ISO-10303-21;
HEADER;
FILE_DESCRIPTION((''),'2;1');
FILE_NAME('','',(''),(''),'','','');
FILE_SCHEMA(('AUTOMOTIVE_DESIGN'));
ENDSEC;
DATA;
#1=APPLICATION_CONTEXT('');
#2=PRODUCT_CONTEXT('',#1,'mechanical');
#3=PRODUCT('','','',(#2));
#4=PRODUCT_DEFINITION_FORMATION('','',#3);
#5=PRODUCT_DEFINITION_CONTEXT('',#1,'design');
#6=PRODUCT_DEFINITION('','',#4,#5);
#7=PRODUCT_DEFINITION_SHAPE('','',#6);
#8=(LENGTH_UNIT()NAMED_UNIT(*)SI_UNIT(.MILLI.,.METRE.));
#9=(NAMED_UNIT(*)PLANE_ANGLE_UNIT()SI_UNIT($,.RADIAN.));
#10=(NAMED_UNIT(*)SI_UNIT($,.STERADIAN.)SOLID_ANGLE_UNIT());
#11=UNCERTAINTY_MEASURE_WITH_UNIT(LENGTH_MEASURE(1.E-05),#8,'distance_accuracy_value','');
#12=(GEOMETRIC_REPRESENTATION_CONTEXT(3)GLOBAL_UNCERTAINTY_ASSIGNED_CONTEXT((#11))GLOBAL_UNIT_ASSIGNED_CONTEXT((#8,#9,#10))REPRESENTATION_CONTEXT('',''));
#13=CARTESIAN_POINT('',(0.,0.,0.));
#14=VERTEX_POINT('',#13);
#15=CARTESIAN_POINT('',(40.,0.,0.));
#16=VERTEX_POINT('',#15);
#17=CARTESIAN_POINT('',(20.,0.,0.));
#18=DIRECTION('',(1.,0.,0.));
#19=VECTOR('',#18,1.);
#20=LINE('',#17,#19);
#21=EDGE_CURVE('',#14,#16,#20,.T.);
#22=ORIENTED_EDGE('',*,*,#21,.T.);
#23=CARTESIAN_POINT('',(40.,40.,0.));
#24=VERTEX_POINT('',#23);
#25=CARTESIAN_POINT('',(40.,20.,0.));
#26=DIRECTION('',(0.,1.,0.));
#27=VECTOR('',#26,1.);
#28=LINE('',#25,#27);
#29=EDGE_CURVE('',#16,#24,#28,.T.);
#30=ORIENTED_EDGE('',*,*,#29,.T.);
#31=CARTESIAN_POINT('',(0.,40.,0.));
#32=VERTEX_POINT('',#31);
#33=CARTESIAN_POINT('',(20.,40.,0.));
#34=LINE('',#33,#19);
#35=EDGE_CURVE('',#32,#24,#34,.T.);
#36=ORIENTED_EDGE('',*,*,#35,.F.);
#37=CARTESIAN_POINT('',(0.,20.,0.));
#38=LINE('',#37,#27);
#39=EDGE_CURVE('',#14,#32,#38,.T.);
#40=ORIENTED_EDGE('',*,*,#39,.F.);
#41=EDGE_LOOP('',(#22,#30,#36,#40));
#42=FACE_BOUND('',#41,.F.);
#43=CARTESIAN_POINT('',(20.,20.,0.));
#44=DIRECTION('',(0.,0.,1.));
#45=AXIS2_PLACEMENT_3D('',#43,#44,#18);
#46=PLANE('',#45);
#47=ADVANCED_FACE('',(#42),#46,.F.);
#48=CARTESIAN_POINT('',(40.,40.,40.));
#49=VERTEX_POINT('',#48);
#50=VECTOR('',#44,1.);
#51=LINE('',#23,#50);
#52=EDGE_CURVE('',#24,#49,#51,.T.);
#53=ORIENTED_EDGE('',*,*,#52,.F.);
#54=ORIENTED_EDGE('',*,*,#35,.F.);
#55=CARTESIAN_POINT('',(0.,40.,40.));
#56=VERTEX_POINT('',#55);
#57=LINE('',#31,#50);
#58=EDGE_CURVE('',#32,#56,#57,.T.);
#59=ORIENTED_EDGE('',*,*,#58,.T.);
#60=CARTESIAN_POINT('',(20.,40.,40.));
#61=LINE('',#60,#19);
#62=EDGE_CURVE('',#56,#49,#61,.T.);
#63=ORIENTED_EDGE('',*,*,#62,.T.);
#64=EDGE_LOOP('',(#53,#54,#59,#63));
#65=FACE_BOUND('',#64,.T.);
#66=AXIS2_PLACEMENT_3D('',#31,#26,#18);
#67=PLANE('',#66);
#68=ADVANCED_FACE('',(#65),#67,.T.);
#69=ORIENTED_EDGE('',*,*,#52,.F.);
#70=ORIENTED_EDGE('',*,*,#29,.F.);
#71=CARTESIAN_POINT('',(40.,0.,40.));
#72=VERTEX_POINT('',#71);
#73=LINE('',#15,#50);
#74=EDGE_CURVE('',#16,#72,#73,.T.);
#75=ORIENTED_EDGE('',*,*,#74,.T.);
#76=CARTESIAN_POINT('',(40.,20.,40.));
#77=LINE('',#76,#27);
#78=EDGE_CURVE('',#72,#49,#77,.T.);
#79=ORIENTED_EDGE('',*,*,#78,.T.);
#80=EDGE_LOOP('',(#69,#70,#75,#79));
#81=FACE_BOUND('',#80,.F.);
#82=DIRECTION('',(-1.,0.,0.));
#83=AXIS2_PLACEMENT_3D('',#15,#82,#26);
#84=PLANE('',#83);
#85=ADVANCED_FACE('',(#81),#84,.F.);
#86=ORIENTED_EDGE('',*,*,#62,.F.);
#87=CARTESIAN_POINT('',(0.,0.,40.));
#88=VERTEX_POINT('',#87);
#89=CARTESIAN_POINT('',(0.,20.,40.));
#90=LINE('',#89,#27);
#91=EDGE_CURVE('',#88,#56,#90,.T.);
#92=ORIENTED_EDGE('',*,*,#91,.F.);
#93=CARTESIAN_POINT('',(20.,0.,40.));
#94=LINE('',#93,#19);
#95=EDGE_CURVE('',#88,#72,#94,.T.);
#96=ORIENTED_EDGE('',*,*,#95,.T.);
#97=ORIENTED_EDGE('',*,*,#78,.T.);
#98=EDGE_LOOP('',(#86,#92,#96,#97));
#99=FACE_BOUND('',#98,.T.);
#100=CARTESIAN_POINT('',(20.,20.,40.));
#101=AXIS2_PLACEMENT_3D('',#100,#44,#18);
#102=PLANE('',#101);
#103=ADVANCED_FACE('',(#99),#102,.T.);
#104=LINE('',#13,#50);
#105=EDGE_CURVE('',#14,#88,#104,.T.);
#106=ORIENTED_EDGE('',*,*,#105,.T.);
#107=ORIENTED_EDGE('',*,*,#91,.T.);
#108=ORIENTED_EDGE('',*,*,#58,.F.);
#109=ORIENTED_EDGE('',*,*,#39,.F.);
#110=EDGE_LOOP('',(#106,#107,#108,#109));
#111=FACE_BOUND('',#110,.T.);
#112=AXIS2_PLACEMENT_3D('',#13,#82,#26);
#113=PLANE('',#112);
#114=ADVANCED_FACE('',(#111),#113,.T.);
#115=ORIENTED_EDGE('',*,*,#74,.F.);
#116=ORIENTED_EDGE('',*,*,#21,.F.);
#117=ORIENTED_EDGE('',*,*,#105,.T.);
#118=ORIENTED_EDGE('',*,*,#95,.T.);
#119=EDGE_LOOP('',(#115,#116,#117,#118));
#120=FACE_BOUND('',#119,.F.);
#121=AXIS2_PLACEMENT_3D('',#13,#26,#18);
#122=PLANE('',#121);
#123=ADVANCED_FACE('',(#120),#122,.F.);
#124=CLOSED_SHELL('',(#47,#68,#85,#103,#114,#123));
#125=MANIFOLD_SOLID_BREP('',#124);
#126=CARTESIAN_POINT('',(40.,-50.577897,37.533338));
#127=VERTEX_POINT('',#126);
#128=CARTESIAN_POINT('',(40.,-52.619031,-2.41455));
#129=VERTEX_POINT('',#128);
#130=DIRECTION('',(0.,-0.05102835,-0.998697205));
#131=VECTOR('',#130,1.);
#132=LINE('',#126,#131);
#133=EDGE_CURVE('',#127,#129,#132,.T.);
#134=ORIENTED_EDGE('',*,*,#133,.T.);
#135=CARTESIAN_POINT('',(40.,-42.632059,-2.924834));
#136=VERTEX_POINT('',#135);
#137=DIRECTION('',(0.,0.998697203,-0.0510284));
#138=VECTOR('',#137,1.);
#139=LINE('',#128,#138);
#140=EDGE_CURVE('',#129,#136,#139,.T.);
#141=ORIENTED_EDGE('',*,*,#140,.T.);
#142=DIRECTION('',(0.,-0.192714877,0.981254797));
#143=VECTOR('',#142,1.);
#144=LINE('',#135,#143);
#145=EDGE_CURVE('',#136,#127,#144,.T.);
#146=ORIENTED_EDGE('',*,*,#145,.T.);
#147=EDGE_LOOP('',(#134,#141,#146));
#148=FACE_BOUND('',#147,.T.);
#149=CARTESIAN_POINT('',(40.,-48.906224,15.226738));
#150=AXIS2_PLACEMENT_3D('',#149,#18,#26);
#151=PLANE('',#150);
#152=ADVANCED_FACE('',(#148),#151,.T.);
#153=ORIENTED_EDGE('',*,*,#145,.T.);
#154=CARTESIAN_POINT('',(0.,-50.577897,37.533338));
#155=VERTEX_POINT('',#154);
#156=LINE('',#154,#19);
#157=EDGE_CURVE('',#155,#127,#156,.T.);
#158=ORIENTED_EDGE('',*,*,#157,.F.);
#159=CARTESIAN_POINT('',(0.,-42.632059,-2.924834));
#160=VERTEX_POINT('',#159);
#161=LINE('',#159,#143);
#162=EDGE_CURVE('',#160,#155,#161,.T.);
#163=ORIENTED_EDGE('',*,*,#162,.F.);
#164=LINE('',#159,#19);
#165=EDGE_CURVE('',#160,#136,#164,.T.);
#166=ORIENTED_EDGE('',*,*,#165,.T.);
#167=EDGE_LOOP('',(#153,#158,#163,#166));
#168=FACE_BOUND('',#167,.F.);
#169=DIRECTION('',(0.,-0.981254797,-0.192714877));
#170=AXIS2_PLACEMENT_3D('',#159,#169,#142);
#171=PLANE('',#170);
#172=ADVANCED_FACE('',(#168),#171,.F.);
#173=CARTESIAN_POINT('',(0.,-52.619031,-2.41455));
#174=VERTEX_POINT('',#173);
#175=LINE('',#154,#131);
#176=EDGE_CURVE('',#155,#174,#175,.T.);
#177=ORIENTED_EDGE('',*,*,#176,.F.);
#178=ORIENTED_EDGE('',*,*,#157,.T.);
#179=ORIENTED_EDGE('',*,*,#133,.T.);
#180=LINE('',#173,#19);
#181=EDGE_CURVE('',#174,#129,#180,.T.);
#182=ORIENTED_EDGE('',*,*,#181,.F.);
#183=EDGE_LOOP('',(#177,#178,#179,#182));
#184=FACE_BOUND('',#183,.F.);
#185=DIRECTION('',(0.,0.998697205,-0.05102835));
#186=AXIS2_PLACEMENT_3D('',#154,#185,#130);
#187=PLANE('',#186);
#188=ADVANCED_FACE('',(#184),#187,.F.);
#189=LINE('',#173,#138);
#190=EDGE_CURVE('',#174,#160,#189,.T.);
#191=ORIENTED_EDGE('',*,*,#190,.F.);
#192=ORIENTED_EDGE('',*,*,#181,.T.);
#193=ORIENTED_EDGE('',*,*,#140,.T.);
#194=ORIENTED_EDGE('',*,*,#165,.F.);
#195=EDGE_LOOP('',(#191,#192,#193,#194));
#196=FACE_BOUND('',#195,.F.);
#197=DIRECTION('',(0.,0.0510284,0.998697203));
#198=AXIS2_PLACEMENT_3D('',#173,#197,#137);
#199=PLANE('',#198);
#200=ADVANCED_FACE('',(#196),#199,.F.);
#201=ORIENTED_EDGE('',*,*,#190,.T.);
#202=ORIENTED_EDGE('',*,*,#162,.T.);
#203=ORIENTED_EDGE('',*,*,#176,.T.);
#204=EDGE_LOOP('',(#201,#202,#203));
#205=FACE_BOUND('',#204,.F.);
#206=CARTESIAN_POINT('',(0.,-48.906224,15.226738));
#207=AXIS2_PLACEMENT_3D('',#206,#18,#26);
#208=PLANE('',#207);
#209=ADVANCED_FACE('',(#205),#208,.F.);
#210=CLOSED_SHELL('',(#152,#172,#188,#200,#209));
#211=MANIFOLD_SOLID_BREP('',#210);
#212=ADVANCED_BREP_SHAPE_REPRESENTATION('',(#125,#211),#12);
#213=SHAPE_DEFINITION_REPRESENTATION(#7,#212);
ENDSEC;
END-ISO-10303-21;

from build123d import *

# Parameters (mm, degrees)
F0_W     = 40
F0_H     = 40
F1_DEPTH = 40
F3_DEPTH = 40


with BuildPart() as f1:
    # F0 (on Top) → F1 (new body)
    with BuildSketch(Plane.XY):
        with Locations((20, 20)):
            Rectangle(F0_W, F0_H)
    extrude(amount=F1_DEPTH)


with BuildPart() as f3:
    # F2 (on Right) → F3 (new body)
    with BuildSketch(Plane.YZ):
        Polygon((-42.632059, -2.924834), (-50.577897, 37.533338), (-52.619031, -2.41455), align=None)
    extrude(amount=F3_DEPTH)


solid = Compound([f1.part, f3.part])
